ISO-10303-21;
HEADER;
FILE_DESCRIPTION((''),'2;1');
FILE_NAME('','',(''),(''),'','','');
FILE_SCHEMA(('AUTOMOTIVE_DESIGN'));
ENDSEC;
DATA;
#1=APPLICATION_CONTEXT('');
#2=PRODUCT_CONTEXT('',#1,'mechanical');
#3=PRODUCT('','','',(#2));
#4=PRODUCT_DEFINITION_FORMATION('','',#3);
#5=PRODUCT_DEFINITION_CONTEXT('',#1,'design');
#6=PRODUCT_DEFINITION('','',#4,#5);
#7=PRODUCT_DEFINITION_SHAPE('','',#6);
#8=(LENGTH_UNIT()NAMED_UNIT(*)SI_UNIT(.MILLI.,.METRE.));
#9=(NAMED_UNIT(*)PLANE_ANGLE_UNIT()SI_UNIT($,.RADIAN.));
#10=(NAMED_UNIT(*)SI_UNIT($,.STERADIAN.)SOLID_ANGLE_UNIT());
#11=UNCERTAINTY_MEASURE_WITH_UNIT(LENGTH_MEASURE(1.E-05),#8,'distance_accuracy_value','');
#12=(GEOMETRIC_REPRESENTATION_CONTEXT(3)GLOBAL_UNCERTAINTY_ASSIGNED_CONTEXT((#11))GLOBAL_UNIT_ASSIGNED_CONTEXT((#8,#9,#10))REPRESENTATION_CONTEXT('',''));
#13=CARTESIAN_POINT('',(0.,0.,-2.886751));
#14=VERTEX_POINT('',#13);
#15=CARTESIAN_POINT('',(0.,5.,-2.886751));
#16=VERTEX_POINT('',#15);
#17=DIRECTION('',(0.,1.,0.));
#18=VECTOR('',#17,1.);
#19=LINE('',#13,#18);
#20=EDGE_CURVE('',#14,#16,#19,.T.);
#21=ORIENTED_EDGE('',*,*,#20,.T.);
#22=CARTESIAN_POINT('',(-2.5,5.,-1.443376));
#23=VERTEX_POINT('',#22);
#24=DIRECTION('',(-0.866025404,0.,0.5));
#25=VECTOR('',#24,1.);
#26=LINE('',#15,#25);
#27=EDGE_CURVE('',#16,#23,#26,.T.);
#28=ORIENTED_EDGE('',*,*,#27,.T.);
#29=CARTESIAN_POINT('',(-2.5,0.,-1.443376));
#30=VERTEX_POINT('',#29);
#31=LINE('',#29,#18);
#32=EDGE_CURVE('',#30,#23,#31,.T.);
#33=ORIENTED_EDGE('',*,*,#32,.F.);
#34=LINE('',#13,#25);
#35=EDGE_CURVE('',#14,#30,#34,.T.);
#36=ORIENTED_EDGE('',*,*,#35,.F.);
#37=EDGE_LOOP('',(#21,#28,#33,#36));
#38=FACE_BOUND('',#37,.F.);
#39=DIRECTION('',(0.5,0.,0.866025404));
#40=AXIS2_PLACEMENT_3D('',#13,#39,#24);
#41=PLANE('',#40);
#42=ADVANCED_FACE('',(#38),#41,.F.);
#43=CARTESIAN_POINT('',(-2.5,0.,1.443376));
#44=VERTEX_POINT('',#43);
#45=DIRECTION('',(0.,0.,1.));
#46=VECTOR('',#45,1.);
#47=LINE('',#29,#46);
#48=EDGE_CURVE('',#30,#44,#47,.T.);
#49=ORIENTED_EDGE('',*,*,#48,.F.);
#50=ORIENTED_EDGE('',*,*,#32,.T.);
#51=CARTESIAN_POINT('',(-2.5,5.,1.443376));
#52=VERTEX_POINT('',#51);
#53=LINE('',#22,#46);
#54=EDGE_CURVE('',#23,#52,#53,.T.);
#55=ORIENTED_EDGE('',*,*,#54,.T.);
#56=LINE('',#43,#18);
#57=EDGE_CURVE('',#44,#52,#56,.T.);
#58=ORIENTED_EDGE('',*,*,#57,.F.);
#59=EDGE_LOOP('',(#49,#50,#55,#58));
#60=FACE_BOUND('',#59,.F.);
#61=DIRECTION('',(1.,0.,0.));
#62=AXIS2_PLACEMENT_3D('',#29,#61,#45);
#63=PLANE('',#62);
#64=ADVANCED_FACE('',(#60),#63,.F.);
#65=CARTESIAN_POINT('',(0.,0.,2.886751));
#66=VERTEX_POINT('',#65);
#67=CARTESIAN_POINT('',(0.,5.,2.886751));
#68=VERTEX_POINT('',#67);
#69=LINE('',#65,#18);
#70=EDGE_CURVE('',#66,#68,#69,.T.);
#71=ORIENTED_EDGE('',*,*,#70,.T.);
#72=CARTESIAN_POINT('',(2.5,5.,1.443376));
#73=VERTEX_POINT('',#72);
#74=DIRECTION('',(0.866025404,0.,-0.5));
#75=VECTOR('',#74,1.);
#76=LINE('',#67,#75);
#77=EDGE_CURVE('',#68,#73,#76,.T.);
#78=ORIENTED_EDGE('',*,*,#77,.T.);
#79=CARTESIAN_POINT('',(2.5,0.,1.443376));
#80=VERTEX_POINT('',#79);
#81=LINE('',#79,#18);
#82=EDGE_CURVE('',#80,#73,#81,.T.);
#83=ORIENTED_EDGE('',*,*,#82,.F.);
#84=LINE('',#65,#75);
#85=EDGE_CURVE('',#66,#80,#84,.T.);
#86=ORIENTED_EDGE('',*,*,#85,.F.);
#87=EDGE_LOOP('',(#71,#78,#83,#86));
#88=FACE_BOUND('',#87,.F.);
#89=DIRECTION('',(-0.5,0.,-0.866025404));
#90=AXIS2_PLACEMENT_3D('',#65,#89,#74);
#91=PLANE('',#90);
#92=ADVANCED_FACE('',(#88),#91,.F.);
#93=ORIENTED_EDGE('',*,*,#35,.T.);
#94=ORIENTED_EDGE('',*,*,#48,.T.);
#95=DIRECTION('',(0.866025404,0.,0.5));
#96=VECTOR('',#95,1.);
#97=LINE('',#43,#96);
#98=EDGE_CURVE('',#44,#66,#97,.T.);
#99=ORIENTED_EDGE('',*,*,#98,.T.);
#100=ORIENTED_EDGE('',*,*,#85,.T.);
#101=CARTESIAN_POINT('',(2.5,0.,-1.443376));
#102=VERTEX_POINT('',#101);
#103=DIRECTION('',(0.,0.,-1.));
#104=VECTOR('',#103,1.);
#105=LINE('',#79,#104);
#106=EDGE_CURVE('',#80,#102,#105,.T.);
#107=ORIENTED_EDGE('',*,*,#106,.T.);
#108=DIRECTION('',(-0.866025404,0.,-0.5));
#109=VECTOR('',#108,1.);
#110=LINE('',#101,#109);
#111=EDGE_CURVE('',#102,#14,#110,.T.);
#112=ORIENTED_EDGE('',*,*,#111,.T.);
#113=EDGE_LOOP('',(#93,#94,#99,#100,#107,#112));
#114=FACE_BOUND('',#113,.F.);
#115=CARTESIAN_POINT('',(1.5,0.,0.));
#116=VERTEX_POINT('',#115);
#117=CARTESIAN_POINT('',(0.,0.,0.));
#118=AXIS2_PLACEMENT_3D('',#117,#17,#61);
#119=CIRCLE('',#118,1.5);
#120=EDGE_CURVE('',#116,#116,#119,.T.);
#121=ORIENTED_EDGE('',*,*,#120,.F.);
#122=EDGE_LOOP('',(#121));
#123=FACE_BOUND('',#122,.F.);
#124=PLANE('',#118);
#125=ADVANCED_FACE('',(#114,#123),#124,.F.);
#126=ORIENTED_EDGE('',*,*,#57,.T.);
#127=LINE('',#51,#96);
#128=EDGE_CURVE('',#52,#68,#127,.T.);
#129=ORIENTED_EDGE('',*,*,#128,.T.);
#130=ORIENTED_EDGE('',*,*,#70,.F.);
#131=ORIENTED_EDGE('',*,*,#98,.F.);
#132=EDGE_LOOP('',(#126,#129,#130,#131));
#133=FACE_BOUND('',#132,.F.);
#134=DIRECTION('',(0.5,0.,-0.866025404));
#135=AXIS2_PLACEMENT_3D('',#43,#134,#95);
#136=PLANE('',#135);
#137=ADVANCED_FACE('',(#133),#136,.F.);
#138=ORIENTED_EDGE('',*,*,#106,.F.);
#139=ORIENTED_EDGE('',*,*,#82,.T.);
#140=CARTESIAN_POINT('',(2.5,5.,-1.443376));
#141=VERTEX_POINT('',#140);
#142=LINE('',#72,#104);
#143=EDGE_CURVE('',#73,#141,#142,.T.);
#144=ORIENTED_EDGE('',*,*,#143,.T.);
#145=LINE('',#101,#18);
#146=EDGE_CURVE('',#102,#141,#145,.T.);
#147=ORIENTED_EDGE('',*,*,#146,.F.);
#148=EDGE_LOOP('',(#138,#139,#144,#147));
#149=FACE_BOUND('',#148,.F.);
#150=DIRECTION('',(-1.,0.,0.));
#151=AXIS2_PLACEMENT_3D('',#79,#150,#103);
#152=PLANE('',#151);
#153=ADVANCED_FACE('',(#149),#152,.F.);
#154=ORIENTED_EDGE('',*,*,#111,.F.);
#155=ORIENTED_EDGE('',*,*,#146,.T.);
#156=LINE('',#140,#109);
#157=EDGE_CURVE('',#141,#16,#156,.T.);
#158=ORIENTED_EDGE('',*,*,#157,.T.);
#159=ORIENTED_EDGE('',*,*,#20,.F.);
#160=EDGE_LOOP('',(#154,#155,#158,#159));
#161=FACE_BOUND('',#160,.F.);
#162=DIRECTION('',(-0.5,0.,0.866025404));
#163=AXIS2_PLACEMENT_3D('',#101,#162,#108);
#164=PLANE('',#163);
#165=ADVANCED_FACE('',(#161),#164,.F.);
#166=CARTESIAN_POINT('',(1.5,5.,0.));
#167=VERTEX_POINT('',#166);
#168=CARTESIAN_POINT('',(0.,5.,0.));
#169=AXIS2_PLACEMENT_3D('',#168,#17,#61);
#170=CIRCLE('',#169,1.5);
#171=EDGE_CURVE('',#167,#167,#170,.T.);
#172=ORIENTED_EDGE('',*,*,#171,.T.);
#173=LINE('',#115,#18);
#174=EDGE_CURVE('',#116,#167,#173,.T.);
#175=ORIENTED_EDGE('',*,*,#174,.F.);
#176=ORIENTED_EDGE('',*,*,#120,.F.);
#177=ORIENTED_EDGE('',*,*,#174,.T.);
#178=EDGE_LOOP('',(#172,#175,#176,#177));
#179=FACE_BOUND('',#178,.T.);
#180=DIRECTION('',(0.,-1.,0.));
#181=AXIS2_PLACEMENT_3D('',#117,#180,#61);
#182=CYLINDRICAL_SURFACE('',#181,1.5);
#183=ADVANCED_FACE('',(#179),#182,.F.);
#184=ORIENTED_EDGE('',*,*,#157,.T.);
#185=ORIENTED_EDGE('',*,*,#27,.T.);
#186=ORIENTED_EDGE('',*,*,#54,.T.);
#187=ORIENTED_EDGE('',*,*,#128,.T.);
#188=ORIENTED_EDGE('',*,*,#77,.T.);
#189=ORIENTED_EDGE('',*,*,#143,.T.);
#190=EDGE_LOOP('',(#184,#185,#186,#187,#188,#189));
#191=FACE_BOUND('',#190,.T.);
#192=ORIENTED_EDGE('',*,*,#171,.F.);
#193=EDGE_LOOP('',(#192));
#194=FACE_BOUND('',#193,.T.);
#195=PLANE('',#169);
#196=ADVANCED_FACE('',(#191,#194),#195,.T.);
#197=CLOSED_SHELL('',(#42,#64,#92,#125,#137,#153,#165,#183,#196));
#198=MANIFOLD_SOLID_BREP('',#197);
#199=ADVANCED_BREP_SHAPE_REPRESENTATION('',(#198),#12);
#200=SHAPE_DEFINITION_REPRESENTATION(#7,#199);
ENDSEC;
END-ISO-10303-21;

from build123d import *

# Parameters (mm, degrees)
SKETCH_1_R      = 1.5
EXTRUDE_1_DEPTH = 5


with BuildPart() as part:
    # 草圖1 → 填料-伸長1 (new body)
    with BuildSketch(Plane(origin=(0, 0, 0), x_dir=(1, 0, 0), z_dir=(0, 1, 0))):
        Polygon((0, 2.886751346), (-2.5, 1.443375673), (-2.5, -1.443375673), (0, -2.886751346), (2.5, -1.443375673), (2.5, 1.443375673), align=None)
        Circle(SKETCH_1_R, mode=Mode.SUBTRACT)
    extrude(amount=EXTRUDE_1_DEPTH)


solid = part.part
